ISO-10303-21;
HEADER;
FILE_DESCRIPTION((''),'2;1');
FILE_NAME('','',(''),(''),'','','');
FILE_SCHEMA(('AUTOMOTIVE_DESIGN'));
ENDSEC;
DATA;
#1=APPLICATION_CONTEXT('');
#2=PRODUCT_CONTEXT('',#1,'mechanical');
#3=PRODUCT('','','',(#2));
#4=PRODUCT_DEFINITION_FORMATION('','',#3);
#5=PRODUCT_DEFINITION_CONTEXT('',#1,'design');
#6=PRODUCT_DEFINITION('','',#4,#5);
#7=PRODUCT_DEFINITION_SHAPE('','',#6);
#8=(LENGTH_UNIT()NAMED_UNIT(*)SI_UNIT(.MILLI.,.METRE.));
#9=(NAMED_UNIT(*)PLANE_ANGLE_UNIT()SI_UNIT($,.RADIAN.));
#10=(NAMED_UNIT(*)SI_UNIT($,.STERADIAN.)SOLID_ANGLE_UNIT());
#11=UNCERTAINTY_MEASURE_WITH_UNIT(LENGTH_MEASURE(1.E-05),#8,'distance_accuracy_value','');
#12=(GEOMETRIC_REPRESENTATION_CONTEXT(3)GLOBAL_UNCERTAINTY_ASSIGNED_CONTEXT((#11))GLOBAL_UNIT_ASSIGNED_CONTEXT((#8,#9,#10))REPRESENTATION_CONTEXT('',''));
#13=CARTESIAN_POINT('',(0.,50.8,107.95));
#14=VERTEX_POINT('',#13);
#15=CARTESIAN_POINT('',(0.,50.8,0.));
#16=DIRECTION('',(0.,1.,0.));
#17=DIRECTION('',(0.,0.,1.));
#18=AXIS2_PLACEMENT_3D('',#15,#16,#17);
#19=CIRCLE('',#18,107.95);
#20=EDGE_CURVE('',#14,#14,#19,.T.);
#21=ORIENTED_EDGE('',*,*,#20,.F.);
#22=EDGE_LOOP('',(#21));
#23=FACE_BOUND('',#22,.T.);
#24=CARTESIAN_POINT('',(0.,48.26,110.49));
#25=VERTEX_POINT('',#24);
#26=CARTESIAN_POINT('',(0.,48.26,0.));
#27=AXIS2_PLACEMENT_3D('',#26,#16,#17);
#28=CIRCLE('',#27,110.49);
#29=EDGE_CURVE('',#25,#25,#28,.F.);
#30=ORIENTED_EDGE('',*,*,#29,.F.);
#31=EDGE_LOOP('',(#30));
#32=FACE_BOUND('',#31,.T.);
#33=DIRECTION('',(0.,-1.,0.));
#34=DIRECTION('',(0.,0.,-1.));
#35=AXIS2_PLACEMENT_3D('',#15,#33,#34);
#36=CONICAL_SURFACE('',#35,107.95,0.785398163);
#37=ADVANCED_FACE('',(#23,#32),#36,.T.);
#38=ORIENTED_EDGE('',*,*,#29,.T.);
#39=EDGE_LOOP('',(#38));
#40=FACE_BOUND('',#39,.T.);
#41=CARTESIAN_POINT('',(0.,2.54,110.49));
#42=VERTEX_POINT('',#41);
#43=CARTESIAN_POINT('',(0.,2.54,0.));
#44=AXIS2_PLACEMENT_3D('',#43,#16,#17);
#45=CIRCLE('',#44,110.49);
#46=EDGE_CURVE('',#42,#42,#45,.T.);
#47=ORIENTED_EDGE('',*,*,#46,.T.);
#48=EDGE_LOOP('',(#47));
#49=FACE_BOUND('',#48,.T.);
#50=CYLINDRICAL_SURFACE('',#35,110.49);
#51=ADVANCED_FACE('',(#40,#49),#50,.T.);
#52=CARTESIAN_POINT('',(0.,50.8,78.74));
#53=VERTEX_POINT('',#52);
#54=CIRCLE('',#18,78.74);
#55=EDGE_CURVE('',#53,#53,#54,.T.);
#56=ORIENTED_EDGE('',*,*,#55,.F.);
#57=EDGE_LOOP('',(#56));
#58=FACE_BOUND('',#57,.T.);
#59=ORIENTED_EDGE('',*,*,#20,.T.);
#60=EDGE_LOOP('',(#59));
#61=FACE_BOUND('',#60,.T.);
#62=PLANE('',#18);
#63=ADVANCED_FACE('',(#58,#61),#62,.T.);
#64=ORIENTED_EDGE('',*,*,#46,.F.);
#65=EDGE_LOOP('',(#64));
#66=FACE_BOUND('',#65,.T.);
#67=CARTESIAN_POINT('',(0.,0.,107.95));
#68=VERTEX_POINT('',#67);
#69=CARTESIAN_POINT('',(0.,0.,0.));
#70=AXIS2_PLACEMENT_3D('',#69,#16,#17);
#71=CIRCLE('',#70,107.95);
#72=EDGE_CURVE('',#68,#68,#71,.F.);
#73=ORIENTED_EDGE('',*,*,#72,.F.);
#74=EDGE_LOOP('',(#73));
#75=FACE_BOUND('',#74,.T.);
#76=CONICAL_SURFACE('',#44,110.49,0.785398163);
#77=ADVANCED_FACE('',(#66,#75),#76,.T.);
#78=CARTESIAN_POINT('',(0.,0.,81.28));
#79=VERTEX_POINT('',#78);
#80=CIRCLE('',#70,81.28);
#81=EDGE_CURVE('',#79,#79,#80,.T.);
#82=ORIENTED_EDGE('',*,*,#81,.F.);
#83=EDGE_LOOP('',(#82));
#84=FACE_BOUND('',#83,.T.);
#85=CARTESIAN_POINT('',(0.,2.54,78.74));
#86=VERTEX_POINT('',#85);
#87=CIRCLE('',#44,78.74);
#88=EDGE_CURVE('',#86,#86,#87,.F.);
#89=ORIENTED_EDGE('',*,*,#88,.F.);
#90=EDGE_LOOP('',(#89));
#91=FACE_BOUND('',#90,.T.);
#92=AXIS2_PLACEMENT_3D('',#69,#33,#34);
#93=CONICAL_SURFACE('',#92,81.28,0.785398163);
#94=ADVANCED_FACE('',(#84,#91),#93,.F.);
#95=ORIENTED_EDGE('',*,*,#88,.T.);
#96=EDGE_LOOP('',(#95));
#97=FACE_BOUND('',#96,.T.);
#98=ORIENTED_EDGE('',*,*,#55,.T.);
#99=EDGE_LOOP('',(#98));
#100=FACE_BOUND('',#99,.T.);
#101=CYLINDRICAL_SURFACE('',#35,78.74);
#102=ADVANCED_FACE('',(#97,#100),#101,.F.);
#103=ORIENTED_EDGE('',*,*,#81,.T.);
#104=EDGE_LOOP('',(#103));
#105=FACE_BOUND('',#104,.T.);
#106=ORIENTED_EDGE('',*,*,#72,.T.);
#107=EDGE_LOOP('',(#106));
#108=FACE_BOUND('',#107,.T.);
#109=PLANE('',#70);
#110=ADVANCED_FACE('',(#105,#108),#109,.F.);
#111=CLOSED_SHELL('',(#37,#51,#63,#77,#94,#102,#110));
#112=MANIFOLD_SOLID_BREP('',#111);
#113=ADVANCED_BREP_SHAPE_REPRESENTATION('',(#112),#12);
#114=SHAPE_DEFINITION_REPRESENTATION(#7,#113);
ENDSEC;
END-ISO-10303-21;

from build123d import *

# Parameters (mm, degrees)
SKETCH1_R           = 110.49
SKETCH1_R_2         = 78.74
BOSS_EXTRUDE1_DEPTH = 50.8
CHAMFER1_SIZE       = 2.54


with BuildPart() as part:
    # Sketch1 → Boss-Extrude1 (new body)
    with BuildSketch(Plane(origin=(0, 0, 0), x_dir=(1, 0, 0), z_dir=(0, 1, 0))):
        with Locations(Location((0, 0, 0), (0, 0, 270))):
            Circle(SKETCH1_R)
        with Locations(Location((0, 0, 0), (0, 0, 270))):
            Circle(SKETCH1_R_2, mode=Mode.SUBTRACT)
    extrude(amount=BOSS_EXTRUDE1_DEPTH)

    # Chamfer1
    chamfer1_edges = [part.edges().sort_by_distance(p)[0] for p in [
        (0, 0, -110.49),
        (0, 50.8, -110.49),
        (0, 0, -78.74),
    ]]
    chamfer(chamfer1_edges, length=CHAMFER1_SIZE)


solid = part.part
